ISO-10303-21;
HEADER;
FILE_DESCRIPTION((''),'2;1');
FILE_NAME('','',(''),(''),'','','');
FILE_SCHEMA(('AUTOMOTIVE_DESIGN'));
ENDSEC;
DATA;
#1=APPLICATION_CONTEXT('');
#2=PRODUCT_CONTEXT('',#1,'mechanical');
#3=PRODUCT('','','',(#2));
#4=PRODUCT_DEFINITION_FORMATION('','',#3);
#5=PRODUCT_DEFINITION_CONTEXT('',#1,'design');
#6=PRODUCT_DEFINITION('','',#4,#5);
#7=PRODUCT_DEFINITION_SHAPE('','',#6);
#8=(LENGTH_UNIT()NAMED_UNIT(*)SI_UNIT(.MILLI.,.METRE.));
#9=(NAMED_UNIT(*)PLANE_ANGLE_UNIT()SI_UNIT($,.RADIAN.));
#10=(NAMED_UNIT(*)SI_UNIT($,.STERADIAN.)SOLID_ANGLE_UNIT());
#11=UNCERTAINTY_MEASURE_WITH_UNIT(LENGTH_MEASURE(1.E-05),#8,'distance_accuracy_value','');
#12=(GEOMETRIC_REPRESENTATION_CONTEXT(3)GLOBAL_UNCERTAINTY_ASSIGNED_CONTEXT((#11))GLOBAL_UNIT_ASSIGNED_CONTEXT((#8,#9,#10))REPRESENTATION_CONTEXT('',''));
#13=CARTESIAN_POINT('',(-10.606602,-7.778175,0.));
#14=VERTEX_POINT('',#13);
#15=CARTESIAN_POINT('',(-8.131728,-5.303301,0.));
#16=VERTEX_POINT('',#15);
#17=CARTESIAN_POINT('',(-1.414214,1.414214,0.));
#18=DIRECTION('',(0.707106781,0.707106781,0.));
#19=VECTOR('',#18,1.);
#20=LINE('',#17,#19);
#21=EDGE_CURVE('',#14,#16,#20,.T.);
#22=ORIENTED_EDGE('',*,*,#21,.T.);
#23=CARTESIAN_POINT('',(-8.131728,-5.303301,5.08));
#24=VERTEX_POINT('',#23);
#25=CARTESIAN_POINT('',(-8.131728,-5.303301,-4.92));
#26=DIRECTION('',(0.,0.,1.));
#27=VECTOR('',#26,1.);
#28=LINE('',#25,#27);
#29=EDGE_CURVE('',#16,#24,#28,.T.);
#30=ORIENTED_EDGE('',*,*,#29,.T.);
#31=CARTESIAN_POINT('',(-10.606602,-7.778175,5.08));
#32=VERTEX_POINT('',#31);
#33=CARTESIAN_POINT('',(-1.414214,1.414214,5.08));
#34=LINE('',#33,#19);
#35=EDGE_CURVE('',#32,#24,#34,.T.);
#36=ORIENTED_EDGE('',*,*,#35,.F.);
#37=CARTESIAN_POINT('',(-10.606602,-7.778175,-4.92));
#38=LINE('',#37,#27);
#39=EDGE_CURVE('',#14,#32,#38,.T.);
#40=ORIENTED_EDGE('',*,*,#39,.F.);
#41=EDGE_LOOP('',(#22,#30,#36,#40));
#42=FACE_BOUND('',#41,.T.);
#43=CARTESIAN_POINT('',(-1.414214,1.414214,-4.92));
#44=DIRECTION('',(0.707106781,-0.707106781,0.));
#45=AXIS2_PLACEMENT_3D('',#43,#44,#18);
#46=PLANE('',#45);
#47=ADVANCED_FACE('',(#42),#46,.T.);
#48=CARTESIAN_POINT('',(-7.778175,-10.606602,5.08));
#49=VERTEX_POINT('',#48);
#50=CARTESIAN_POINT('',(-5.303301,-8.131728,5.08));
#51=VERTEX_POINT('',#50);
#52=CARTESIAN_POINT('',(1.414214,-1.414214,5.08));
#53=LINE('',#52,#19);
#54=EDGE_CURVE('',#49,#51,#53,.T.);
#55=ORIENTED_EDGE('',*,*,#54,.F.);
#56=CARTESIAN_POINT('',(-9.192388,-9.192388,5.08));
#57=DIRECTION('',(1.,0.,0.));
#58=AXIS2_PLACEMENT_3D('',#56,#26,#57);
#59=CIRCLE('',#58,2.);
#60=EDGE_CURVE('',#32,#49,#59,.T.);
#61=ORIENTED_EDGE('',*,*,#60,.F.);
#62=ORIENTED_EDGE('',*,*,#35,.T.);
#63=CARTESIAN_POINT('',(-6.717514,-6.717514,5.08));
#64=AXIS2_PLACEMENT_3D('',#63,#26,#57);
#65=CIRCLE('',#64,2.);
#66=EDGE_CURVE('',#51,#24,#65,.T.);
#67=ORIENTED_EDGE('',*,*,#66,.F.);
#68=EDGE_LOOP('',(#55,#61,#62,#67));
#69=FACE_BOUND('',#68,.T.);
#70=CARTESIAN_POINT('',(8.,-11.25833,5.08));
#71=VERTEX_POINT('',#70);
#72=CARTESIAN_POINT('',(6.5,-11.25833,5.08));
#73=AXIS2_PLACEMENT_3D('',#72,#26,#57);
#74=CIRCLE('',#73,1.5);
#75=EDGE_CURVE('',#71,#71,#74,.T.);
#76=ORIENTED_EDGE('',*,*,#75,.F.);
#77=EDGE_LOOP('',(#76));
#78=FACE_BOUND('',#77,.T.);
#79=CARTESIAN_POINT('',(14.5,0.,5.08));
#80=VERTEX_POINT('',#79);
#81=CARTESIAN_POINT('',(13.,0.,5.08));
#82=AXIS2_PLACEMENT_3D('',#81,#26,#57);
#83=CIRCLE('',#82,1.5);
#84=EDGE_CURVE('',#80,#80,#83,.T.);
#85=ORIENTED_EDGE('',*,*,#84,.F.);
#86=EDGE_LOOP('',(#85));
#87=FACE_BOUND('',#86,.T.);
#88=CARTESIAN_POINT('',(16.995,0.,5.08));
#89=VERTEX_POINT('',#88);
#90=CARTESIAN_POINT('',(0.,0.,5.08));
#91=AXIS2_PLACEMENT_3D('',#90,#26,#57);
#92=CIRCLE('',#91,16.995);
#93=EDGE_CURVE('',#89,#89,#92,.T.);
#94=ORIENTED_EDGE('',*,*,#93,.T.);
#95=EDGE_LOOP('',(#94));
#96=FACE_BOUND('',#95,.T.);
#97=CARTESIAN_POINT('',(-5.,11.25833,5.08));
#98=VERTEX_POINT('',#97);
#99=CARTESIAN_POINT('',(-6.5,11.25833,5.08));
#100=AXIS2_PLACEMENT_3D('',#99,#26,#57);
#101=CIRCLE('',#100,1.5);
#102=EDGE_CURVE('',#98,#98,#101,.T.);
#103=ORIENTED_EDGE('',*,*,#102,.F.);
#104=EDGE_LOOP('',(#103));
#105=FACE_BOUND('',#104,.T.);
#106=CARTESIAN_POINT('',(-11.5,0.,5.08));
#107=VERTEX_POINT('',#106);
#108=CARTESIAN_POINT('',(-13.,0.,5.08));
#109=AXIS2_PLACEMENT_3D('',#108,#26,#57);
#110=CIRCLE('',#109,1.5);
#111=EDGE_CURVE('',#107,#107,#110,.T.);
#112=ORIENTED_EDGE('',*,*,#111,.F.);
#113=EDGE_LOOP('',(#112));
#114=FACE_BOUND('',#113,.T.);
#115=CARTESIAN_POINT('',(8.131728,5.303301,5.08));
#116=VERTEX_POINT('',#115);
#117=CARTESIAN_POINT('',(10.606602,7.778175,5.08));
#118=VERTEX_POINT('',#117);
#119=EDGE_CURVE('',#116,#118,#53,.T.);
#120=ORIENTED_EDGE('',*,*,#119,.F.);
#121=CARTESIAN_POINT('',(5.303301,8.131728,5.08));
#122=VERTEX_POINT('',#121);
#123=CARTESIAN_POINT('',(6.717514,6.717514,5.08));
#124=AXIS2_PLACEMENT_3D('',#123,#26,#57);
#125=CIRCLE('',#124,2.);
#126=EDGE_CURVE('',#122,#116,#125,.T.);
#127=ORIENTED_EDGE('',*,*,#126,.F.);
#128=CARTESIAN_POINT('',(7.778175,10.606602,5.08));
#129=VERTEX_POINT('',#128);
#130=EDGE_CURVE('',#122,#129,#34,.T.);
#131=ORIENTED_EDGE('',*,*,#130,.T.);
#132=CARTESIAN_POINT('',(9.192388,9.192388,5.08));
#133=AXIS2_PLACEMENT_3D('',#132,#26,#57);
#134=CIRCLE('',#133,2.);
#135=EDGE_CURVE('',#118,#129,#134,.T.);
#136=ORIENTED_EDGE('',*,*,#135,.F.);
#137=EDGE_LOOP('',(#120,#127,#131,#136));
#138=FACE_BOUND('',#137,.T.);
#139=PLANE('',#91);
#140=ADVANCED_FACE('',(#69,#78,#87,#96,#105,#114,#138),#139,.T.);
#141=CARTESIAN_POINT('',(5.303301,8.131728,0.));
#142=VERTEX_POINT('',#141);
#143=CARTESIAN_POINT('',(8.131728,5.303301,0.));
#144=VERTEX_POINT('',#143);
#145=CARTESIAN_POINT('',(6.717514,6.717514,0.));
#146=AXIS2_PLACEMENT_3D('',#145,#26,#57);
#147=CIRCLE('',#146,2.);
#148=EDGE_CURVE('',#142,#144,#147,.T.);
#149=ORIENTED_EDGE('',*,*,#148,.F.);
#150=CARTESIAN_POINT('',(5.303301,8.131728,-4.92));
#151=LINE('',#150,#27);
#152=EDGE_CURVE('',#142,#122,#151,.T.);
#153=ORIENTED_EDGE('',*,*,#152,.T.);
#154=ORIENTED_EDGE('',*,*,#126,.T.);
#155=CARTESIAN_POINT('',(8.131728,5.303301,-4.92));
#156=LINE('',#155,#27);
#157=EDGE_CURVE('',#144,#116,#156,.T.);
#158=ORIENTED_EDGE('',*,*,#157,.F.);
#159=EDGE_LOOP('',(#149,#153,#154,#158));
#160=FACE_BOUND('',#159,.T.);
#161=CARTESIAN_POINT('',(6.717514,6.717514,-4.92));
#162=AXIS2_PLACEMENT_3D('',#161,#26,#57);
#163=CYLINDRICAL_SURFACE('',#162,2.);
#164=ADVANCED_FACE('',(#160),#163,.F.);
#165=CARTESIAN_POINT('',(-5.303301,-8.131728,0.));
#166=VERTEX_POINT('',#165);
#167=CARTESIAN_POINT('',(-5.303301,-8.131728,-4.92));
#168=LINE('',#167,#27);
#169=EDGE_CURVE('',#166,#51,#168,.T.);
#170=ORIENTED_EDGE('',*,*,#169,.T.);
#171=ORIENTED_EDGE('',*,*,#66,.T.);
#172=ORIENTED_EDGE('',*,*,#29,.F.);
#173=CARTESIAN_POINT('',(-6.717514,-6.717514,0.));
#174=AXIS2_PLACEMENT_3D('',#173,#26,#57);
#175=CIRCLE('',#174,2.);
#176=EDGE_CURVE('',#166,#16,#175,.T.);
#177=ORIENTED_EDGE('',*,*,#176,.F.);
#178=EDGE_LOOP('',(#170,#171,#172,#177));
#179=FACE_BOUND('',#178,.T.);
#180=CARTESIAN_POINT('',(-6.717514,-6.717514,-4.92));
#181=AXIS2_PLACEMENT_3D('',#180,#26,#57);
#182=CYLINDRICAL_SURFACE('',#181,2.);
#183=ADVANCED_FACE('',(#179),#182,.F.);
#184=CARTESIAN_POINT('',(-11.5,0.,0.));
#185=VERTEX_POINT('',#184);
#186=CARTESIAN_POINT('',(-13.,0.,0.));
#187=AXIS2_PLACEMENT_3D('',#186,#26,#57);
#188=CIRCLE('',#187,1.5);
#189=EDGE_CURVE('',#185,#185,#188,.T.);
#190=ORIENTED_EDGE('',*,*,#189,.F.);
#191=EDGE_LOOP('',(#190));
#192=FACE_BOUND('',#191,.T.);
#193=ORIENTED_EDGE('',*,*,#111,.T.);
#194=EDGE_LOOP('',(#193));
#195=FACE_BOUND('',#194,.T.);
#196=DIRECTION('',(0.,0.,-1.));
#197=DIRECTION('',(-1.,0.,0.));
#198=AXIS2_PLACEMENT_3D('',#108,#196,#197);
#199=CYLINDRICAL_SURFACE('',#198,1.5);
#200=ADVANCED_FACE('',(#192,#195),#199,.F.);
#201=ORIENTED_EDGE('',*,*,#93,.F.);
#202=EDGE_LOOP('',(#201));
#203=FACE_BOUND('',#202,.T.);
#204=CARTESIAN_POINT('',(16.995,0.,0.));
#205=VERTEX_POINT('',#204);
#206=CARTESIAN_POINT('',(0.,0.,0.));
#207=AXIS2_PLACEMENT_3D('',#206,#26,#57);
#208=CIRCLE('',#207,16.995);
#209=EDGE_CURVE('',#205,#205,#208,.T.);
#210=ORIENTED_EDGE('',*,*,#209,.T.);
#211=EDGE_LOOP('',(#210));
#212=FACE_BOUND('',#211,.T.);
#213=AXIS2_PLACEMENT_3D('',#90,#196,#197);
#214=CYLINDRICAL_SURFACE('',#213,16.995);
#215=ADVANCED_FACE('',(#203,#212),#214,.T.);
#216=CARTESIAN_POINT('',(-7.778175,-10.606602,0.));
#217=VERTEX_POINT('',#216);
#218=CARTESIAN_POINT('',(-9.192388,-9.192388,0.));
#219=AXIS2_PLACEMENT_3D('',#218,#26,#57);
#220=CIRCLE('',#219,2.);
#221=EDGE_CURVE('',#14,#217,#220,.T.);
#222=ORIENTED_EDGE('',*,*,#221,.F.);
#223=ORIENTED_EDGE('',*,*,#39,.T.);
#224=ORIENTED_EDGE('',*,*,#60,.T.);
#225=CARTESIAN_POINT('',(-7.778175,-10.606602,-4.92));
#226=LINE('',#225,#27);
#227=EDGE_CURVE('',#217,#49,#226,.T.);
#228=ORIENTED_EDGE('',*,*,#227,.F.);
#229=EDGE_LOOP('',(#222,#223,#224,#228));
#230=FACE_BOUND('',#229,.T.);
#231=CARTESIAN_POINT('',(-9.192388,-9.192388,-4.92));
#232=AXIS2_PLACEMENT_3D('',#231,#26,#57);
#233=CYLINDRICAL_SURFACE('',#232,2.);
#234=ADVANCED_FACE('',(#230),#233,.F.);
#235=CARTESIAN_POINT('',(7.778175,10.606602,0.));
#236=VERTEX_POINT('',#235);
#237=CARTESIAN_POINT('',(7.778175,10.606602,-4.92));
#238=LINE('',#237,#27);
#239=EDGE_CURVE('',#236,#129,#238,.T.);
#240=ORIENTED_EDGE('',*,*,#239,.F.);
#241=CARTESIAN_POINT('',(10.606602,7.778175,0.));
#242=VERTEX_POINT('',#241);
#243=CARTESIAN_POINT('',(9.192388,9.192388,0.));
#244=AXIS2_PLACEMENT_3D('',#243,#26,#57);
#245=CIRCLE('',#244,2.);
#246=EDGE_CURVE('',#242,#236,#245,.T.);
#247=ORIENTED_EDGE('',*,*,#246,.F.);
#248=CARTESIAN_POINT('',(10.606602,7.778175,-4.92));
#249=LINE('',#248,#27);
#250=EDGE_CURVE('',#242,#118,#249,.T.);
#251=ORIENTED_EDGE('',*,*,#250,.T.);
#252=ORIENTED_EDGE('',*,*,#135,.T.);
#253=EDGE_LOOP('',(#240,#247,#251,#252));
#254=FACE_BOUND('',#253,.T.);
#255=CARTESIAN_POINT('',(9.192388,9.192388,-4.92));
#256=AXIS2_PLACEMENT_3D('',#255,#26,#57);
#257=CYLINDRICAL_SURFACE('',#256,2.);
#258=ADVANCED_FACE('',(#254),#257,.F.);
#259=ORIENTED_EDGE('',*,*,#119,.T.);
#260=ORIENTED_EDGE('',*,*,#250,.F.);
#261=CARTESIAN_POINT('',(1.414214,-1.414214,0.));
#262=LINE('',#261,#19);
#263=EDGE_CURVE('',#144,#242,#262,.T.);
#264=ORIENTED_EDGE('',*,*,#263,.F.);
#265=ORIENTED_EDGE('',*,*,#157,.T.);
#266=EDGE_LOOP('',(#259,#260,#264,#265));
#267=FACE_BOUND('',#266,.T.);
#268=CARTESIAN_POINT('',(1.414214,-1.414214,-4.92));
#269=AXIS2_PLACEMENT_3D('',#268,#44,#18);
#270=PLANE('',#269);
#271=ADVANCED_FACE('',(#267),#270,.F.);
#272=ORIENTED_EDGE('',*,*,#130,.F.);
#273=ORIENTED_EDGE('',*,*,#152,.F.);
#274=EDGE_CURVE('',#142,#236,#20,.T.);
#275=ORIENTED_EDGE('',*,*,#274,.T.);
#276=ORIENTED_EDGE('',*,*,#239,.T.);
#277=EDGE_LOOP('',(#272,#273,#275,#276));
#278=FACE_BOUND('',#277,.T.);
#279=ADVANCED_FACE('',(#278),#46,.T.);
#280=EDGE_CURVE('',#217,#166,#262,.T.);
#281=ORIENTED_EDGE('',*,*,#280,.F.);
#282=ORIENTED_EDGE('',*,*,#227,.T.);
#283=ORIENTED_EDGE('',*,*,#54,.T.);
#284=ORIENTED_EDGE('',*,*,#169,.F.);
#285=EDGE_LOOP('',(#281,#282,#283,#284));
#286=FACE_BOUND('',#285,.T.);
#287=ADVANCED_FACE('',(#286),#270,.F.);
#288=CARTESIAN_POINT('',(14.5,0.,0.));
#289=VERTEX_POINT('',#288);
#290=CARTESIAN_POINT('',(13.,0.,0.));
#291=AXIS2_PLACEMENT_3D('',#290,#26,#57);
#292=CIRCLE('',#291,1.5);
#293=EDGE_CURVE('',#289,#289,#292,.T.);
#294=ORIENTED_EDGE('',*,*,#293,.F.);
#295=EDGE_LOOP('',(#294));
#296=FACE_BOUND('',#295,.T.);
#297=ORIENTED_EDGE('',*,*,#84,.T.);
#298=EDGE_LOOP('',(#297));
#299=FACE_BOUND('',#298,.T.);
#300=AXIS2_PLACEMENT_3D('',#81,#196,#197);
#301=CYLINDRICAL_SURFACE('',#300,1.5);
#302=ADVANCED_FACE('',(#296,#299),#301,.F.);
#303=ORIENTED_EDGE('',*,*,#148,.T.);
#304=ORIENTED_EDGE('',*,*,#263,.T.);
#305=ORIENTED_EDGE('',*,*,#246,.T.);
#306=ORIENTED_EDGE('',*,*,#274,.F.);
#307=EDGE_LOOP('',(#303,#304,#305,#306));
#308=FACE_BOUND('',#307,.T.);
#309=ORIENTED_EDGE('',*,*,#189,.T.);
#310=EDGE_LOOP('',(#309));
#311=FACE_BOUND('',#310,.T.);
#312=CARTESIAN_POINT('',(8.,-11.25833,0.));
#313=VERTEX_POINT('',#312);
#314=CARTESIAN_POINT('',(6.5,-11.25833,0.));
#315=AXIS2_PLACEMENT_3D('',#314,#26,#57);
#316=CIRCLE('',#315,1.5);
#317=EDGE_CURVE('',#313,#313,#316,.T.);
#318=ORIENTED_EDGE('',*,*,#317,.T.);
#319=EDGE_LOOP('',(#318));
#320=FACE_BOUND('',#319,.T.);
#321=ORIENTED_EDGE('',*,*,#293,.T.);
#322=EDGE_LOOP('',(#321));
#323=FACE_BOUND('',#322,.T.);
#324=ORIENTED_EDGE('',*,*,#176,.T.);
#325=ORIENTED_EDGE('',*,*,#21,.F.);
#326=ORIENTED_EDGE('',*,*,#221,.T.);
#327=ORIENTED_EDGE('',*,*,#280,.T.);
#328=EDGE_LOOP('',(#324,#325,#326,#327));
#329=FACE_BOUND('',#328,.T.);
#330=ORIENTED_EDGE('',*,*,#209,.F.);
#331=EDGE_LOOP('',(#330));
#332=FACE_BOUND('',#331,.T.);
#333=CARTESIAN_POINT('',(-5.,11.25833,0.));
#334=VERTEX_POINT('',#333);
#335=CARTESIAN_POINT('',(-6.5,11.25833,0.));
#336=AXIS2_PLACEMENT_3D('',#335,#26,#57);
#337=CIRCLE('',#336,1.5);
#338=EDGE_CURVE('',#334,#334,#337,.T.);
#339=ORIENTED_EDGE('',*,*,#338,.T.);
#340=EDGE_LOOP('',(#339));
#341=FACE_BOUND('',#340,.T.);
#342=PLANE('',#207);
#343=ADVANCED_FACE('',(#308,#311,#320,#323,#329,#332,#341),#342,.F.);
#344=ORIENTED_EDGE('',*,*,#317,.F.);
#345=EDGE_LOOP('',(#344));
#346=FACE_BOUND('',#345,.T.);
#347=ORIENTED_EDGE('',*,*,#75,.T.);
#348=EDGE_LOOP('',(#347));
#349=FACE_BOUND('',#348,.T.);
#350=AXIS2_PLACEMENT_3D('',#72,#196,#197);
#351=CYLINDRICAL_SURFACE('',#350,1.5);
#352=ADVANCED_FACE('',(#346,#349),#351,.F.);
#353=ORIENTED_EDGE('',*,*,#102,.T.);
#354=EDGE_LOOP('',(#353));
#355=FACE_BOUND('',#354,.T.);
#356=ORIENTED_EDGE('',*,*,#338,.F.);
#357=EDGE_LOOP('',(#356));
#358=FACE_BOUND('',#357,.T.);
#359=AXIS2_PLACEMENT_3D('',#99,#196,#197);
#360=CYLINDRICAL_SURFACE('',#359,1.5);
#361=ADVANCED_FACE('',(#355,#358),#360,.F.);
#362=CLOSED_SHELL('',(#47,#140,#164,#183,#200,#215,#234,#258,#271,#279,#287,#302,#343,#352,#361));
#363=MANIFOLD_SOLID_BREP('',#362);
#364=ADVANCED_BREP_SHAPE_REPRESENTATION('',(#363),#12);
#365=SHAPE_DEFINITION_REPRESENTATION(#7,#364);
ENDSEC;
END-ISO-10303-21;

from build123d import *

# Parameters (mm, degrees)
SKETCH1_R           = 16.995
SKETCH1_R_2         = 1.5
BOSS_EXTRUDE1_DEPTH = 5.08
CUT_EXTRUDE2_DEPTH  = 10


with BuildPart() as part:
    # Sketch1 → Boss-Extrude1 (new body)
    with BuildSketch(Plane.XY):
        Circle(SKETCH1_R)
        with Locations((-6.5, -11.258330249)):
            Circle(SKETCH1_R_2, mode=Mode.SUBTRACT)
        with Locations((6.5, -11.258330249)):
            Circle(SKETCH1_R_2, mode=Mode.SUBTRACT)
        with Locations((13, 0)):
            Circle(SKETCH1_R_2, mode=Mode.SUBTRACT)
        with Locations((6.5, 11.258330249)):
            Circle(SKETCH1_R_2, mode=Mode.SUBTRACT)
        with Locations((-6.5, 11.258330249)):
            Circle(SKETCH1_R_2, mode=Mode.SUBTRACT)
        with Locations((-13, 0)):
            Circle(SKETCH1_R_2, mode=Mode.SUBTRACT)
        with Locations((6.5, 11.258330249)):
            Circle(SKETCH1_R_2)
        with Locations((-6.5, -11.258330249)):
            Circle(SKETCH1_R_2)
    extrude(amount=BOSS_EXTRUDE1_DEPTH)

    # Sketch2 → Cut-Extrude2 (cut)
    with BuildSketch(Plane.XY.offset(5.08)):
        with BuildLine():
            ThreePointArc((-5.303300859, -8.131727984), (-5.303300859, -5.303300859), (-8.131727984, -5.303300859))
            Line((-8.131727984, -5.303300859), (-10.606601718, -7.778174593))
            ThreePointArc((-10.606601718, -7.778174593), (-10.606601718, -10.606601718), (-7.778174593, -10.606601718))
            Line((-7.778174593, -10.606601718), (-5.303300859, -8.131727984))
        make_face()
        with BuildLine():
            ThreePointArc((10.606601718, 7.778174593), (10.606601718, 10.606601718), (7.778174593, 10.606601718))
            Line((7.778174593, 10.606601718), (5.303300859, 8.131727984))
            ThreePointArc((5.303300859, 8.131727984), (5.303300859, 5.303300859), (8.131727984, 5.303300859))
            Line((8.131727984, 5.303300859), (10.606601718, 7.778174593))
        make_face()
    extrude(amount=-CUT_EXTRUDE2_DEPTH, mode=Mode.SUBTRACT)


solid = part.part
